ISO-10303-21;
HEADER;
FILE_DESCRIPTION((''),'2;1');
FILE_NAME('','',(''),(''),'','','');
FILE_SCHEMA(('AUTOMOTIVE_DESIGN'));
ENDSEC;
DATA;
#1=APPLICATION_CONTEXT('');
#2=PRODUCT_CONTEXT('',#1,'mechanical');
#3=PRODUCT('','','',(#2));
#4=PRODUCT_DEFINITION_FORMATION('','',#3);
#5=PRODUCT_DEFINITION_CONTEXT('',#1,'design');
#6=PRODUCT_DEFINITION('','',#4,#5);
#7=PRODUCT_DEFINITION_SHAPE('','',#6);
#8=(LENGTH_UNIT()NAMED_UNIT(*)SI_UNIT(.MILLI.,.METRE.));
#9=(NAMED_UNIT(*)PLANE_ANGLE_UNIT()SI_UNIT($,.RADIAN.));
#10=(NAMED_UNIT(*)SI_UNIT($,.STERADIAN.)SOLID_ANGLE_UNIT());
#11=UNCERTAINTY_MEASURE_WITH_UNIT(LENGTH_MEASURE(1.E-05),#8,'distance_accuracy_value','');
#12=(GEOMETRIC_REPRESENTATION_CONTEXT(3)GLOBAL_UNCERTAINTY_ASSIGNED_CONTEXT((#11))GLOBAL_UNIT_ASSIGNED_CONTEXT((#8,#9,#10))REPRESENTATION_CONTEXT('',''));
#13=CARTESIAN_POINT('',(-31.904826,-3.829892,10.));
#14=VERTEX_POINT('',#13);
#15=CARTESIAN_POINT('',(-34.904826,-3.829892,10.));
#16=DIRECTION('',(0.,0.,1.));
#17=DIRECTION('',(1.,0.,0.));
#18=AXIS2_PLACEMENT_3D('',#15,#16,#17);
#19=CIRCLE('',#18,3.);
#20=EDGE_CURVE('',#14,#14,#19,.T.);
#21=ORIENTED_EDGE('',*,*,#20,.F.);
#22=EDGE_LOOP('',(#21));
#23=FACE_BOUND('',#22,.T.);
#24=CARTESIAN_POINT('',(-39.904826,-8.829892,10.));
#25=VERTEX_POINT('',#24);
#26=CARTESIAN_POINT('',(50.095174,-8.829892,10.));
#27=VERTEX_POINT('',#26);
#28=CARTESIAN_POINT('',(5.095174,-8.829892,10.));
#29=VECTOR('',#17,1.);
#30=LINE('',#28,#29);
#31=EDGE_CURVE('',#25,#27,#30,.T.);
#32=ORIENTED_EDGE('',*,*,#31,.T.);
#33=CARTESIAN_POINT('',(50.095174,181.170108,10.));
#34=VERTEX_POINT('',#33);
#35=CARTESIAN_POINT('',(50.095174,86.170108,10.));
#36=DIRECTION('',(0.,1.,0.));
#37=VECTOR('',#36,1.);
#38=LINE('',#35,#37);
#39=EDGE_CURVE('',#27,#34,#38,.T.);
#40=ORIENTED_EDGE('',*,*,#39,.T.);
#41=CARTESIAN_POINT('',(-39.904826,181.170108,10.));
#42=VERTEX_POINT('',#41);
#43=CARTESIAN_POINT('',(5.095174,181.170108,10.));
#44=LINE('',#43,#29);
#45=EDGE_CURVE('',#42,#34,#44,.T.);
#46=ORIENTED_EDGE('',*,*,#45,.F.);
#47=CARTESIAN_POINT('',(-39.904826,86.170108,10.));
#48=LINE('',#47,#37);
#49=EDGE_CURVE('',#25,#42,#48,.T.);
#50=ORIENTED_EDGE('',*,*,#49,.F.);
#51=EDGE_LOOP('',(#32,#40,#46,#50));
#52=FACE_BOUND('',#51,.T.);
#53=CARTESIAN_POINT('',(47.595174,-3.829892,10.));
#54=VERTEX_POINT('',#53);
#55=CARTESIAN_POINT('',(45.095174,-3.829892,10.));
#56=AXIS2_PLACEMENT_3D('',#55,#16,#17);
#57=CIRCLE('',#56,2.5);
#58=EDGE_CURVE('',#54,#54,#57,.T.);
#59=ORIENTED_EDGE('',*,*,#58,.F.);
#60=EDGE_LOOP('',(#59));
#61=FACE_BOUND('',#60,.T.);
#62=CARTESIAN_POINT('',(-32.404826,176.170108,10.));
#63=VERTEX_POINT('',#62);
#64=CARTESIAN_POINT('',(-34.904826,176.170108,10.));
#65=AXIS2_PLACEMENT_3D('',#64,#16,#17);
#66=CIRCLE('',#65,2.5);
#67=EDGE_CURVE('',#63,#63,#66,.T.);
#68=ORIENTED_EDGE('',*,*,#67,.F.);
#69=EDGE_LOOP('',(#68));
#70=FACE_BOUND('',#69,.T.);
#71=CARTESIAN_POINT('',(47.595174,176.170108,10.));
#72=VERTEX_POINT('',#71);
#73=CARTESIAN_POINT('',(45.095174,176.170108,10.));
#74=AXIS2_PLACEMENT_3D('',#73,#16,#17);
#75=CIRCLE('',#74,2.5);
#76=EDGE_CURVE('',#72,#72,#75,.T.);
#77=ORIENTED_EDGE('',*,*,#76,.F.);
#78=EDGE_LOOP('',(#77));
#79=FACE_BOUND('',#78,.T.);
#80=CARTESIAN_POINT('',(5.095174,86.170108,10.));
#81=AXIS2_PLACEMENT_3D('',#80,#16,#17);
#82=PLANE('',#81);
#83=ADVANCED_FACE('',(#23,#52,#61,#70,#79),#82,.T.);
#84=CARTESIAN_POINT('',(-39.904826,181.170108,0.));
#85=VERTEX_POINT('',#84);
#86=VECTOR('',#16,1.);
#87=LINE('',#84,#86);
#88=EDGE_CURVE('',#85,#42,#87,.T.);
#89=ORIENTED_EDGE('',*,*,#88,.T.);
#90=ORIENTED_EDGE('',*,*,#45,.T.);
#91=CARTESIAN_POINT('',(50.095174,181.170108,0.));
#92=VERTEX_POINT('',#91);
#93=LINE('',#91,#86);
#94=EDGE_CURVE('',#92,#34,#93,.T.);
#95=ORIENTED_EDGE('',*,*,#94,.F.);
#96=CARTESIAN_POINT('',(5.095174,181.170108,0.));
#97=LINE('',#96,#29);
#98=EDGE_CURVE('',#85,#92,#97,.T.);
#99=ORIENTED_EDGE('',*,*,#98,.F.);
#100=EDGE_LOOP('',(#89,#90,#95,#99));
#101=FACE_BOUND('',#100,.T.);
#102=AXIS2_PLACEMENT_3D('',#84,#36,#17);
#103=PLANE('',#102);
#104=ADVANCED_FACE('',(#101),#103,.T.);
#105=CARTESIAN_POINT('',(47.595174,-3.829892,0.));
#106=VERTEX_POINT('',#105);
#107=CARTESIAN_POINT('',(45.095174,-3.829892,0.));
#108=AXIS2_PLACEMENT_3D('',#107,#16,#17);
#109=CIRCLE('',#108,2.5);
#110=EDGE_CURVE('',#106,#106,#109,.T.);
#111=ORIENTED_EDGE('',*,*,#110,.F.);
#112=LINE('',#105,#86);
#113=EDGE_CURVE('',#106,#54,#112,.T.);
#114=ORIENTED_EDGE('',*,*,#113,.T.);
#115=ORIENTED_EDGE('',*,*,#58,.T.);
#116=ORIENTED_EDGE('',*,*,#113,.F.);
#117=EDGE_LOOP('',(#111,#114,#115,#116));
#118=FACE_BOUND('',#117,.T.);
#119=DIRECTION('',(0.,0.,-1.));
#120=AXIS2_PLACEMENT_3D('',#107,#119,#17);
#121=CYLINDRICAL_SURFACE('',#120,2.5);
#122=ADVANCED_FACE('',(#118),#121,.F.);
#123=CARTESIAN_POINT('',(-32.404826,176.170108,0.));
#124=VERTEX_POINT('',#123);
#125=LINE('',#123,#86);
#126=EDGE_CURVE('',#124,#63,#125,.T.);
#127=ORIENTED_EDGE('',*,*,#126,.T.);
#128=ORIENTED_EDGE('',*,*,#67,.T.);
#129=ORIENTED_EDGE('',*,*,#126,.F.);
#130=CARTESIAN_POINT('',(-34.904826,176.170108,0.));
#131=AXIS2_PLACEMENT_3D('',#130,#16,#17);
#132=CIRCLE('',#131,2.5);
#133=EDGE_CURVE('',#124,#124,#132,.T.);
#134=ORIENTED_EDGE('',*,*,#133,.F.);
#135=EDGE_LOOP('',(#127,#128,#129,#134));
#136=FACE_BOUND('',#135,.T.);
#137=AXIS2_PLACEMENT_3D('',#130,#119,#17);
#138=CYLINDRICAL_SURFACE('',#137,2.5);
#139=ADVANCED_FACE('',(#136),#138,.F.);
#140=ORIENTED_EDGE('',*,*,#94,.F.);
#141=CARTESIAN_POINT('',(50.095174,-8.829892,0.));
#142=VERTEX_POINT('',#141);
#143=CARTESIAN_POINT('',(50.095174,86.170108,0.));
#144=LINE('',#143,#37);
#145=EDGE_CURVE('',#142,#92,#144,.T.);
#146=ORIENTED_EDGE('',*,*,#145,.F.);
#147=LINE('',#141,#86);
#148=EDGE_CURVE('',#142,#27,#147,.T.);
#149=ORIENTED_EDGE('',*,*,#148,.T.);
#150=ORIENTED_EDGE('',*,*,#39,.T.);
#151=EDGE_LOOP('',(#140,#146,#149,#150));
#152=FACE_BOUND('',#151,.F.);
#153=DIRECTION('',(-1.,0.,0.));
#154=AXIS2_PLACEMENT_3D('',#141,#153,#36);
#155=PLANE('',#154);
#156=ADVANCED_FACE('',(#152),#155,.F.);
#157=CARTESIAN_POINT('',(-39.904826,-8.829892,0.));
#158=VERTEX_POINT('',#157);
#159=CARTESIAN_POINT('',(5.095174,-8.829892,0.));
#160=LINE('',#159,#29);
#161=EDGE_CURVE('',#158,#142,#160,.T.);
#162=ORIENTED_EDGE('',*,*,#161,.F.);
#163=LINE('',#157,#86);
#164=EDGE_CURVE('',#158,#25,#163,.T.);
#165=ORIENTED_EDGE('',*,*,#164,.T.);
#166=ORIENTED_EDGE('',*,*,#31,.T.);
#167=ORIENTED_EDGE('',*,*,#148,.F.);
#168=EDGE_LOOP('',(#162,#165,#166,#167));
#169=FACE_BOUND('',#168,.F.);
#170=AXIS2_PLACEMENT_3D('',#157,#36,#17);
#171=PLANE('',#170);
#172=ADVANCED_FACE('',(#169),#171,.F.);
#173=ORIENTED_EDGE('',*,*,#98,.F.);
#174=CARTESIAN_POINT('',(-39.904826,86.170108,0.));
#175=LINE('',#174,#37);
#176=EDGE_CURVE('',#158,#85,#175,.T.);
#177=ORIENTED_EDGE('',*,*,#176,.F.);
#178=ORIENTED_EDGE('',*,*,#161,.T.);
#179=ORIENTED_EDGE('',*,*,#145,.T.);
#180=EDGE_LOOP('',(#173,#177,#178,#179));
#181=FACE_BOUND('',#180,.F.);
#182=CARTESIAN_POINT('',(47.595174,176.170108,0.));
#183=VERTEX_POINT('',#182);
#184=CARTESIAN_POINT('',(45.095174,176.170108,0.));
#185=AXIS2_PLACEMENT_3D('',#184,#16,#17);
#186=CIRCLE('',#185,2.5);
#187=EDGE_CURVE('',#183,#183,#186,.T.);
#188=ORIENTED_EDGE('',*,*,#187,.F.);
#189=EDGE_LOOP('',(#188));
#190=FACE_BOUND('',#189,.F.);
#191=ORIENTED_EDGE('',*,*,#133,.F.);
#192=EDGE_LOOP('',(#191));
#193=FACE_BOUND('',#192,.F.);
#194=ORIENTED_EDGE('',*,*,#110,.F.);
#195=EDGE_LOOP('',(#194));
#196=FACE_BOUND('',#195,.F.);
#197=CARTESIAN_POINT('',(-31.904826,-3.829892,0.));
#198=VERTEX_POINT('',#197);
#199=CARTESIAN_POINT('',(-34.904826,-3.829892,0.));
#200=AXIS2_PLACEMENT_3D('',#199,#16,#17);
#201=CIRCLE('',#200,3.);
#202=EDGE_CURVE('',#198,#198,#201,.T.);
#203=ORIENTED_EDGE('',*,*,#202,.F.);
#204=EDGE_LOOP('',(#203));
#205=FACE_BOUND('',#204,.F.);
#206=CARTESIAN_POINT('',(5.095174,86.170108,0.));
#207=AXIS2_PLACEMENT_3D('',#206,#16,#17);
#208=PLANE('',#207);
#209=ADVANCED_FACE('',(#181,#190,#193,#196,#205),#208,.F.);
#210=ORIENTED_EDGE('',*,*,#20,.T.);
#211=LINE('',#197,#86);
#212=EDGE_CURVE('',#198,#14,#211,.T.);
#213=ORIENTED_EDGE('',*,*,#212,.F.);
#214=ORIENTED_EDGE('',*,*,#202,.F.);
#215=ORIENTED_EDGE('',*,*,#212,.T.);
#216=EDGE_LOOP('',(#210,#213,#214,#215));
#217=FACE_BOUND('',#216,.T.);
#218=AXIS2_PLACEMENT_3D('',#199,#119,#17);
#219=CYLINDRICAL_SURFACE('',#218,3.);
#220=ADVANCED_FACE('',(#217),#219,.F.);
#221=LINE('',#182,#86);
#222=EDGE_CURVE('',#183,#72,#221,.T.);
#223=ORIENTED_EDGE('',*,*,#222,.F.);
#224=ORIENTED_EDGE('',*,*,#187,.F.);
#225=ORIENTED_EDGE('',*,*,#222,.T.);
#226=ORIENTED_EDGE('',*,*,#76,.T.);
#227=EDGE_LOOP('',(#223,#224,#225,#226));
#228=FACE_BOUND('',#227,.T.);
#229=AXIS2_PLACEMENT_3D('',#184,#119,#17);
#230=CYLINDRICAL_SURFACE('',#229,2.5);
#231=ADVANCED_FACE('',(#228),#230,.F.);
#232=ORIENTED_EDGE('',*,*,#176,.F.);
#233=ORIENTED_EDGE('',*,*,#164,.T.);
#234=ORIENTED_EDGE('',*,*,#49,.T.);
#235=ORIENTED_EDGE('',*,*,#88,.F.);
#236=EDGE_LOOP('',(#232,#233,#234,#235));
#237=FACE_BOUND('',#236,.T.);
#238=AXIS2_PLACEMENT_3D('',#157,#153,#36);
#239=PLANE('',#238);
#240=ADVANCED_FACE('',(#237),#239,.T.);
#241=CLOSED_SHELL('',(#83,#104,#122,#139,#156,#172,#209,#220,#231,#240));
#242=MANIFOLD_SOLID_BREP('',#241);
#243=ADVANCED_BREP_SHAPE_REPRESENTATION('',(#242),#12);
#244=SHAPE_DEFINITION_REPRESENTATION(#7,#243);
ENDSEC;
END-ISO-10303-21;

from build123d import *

# Parameters (mm, degrees)
F0_W     = 90
F0_H     = 190
F0_R     = 3
F0_R_2   = 2.5
F1_DEPTH = 10


with BuildPart() as f1:
    # F0 (on Top) → F1 (new body)
    with BuildSketch(Plane.XY):
        with Locations((5.095174, 86.170108)):
            Rectangle(F0_W, F0_H)
        with Locations((-34.904826, -3.829892)):
            Circle(F0_R, mode=Mode.SUBTRACT)
        with Locations((45.095174, -3.829892)):
            Circle(F0_R_2, mode=Mode.SUBTRACT)
        with Locations((-34.904826, 176.170108)):
            Circle(F0_R_2, mode=Mode.SUBTRACT)
        with Locations((45.095174, 176.170108)):
            Circle(F0_R_2, mode=Mode.SUBTRACT)
    extrude(amount=F1_DEPTH)


solid = f1.part
